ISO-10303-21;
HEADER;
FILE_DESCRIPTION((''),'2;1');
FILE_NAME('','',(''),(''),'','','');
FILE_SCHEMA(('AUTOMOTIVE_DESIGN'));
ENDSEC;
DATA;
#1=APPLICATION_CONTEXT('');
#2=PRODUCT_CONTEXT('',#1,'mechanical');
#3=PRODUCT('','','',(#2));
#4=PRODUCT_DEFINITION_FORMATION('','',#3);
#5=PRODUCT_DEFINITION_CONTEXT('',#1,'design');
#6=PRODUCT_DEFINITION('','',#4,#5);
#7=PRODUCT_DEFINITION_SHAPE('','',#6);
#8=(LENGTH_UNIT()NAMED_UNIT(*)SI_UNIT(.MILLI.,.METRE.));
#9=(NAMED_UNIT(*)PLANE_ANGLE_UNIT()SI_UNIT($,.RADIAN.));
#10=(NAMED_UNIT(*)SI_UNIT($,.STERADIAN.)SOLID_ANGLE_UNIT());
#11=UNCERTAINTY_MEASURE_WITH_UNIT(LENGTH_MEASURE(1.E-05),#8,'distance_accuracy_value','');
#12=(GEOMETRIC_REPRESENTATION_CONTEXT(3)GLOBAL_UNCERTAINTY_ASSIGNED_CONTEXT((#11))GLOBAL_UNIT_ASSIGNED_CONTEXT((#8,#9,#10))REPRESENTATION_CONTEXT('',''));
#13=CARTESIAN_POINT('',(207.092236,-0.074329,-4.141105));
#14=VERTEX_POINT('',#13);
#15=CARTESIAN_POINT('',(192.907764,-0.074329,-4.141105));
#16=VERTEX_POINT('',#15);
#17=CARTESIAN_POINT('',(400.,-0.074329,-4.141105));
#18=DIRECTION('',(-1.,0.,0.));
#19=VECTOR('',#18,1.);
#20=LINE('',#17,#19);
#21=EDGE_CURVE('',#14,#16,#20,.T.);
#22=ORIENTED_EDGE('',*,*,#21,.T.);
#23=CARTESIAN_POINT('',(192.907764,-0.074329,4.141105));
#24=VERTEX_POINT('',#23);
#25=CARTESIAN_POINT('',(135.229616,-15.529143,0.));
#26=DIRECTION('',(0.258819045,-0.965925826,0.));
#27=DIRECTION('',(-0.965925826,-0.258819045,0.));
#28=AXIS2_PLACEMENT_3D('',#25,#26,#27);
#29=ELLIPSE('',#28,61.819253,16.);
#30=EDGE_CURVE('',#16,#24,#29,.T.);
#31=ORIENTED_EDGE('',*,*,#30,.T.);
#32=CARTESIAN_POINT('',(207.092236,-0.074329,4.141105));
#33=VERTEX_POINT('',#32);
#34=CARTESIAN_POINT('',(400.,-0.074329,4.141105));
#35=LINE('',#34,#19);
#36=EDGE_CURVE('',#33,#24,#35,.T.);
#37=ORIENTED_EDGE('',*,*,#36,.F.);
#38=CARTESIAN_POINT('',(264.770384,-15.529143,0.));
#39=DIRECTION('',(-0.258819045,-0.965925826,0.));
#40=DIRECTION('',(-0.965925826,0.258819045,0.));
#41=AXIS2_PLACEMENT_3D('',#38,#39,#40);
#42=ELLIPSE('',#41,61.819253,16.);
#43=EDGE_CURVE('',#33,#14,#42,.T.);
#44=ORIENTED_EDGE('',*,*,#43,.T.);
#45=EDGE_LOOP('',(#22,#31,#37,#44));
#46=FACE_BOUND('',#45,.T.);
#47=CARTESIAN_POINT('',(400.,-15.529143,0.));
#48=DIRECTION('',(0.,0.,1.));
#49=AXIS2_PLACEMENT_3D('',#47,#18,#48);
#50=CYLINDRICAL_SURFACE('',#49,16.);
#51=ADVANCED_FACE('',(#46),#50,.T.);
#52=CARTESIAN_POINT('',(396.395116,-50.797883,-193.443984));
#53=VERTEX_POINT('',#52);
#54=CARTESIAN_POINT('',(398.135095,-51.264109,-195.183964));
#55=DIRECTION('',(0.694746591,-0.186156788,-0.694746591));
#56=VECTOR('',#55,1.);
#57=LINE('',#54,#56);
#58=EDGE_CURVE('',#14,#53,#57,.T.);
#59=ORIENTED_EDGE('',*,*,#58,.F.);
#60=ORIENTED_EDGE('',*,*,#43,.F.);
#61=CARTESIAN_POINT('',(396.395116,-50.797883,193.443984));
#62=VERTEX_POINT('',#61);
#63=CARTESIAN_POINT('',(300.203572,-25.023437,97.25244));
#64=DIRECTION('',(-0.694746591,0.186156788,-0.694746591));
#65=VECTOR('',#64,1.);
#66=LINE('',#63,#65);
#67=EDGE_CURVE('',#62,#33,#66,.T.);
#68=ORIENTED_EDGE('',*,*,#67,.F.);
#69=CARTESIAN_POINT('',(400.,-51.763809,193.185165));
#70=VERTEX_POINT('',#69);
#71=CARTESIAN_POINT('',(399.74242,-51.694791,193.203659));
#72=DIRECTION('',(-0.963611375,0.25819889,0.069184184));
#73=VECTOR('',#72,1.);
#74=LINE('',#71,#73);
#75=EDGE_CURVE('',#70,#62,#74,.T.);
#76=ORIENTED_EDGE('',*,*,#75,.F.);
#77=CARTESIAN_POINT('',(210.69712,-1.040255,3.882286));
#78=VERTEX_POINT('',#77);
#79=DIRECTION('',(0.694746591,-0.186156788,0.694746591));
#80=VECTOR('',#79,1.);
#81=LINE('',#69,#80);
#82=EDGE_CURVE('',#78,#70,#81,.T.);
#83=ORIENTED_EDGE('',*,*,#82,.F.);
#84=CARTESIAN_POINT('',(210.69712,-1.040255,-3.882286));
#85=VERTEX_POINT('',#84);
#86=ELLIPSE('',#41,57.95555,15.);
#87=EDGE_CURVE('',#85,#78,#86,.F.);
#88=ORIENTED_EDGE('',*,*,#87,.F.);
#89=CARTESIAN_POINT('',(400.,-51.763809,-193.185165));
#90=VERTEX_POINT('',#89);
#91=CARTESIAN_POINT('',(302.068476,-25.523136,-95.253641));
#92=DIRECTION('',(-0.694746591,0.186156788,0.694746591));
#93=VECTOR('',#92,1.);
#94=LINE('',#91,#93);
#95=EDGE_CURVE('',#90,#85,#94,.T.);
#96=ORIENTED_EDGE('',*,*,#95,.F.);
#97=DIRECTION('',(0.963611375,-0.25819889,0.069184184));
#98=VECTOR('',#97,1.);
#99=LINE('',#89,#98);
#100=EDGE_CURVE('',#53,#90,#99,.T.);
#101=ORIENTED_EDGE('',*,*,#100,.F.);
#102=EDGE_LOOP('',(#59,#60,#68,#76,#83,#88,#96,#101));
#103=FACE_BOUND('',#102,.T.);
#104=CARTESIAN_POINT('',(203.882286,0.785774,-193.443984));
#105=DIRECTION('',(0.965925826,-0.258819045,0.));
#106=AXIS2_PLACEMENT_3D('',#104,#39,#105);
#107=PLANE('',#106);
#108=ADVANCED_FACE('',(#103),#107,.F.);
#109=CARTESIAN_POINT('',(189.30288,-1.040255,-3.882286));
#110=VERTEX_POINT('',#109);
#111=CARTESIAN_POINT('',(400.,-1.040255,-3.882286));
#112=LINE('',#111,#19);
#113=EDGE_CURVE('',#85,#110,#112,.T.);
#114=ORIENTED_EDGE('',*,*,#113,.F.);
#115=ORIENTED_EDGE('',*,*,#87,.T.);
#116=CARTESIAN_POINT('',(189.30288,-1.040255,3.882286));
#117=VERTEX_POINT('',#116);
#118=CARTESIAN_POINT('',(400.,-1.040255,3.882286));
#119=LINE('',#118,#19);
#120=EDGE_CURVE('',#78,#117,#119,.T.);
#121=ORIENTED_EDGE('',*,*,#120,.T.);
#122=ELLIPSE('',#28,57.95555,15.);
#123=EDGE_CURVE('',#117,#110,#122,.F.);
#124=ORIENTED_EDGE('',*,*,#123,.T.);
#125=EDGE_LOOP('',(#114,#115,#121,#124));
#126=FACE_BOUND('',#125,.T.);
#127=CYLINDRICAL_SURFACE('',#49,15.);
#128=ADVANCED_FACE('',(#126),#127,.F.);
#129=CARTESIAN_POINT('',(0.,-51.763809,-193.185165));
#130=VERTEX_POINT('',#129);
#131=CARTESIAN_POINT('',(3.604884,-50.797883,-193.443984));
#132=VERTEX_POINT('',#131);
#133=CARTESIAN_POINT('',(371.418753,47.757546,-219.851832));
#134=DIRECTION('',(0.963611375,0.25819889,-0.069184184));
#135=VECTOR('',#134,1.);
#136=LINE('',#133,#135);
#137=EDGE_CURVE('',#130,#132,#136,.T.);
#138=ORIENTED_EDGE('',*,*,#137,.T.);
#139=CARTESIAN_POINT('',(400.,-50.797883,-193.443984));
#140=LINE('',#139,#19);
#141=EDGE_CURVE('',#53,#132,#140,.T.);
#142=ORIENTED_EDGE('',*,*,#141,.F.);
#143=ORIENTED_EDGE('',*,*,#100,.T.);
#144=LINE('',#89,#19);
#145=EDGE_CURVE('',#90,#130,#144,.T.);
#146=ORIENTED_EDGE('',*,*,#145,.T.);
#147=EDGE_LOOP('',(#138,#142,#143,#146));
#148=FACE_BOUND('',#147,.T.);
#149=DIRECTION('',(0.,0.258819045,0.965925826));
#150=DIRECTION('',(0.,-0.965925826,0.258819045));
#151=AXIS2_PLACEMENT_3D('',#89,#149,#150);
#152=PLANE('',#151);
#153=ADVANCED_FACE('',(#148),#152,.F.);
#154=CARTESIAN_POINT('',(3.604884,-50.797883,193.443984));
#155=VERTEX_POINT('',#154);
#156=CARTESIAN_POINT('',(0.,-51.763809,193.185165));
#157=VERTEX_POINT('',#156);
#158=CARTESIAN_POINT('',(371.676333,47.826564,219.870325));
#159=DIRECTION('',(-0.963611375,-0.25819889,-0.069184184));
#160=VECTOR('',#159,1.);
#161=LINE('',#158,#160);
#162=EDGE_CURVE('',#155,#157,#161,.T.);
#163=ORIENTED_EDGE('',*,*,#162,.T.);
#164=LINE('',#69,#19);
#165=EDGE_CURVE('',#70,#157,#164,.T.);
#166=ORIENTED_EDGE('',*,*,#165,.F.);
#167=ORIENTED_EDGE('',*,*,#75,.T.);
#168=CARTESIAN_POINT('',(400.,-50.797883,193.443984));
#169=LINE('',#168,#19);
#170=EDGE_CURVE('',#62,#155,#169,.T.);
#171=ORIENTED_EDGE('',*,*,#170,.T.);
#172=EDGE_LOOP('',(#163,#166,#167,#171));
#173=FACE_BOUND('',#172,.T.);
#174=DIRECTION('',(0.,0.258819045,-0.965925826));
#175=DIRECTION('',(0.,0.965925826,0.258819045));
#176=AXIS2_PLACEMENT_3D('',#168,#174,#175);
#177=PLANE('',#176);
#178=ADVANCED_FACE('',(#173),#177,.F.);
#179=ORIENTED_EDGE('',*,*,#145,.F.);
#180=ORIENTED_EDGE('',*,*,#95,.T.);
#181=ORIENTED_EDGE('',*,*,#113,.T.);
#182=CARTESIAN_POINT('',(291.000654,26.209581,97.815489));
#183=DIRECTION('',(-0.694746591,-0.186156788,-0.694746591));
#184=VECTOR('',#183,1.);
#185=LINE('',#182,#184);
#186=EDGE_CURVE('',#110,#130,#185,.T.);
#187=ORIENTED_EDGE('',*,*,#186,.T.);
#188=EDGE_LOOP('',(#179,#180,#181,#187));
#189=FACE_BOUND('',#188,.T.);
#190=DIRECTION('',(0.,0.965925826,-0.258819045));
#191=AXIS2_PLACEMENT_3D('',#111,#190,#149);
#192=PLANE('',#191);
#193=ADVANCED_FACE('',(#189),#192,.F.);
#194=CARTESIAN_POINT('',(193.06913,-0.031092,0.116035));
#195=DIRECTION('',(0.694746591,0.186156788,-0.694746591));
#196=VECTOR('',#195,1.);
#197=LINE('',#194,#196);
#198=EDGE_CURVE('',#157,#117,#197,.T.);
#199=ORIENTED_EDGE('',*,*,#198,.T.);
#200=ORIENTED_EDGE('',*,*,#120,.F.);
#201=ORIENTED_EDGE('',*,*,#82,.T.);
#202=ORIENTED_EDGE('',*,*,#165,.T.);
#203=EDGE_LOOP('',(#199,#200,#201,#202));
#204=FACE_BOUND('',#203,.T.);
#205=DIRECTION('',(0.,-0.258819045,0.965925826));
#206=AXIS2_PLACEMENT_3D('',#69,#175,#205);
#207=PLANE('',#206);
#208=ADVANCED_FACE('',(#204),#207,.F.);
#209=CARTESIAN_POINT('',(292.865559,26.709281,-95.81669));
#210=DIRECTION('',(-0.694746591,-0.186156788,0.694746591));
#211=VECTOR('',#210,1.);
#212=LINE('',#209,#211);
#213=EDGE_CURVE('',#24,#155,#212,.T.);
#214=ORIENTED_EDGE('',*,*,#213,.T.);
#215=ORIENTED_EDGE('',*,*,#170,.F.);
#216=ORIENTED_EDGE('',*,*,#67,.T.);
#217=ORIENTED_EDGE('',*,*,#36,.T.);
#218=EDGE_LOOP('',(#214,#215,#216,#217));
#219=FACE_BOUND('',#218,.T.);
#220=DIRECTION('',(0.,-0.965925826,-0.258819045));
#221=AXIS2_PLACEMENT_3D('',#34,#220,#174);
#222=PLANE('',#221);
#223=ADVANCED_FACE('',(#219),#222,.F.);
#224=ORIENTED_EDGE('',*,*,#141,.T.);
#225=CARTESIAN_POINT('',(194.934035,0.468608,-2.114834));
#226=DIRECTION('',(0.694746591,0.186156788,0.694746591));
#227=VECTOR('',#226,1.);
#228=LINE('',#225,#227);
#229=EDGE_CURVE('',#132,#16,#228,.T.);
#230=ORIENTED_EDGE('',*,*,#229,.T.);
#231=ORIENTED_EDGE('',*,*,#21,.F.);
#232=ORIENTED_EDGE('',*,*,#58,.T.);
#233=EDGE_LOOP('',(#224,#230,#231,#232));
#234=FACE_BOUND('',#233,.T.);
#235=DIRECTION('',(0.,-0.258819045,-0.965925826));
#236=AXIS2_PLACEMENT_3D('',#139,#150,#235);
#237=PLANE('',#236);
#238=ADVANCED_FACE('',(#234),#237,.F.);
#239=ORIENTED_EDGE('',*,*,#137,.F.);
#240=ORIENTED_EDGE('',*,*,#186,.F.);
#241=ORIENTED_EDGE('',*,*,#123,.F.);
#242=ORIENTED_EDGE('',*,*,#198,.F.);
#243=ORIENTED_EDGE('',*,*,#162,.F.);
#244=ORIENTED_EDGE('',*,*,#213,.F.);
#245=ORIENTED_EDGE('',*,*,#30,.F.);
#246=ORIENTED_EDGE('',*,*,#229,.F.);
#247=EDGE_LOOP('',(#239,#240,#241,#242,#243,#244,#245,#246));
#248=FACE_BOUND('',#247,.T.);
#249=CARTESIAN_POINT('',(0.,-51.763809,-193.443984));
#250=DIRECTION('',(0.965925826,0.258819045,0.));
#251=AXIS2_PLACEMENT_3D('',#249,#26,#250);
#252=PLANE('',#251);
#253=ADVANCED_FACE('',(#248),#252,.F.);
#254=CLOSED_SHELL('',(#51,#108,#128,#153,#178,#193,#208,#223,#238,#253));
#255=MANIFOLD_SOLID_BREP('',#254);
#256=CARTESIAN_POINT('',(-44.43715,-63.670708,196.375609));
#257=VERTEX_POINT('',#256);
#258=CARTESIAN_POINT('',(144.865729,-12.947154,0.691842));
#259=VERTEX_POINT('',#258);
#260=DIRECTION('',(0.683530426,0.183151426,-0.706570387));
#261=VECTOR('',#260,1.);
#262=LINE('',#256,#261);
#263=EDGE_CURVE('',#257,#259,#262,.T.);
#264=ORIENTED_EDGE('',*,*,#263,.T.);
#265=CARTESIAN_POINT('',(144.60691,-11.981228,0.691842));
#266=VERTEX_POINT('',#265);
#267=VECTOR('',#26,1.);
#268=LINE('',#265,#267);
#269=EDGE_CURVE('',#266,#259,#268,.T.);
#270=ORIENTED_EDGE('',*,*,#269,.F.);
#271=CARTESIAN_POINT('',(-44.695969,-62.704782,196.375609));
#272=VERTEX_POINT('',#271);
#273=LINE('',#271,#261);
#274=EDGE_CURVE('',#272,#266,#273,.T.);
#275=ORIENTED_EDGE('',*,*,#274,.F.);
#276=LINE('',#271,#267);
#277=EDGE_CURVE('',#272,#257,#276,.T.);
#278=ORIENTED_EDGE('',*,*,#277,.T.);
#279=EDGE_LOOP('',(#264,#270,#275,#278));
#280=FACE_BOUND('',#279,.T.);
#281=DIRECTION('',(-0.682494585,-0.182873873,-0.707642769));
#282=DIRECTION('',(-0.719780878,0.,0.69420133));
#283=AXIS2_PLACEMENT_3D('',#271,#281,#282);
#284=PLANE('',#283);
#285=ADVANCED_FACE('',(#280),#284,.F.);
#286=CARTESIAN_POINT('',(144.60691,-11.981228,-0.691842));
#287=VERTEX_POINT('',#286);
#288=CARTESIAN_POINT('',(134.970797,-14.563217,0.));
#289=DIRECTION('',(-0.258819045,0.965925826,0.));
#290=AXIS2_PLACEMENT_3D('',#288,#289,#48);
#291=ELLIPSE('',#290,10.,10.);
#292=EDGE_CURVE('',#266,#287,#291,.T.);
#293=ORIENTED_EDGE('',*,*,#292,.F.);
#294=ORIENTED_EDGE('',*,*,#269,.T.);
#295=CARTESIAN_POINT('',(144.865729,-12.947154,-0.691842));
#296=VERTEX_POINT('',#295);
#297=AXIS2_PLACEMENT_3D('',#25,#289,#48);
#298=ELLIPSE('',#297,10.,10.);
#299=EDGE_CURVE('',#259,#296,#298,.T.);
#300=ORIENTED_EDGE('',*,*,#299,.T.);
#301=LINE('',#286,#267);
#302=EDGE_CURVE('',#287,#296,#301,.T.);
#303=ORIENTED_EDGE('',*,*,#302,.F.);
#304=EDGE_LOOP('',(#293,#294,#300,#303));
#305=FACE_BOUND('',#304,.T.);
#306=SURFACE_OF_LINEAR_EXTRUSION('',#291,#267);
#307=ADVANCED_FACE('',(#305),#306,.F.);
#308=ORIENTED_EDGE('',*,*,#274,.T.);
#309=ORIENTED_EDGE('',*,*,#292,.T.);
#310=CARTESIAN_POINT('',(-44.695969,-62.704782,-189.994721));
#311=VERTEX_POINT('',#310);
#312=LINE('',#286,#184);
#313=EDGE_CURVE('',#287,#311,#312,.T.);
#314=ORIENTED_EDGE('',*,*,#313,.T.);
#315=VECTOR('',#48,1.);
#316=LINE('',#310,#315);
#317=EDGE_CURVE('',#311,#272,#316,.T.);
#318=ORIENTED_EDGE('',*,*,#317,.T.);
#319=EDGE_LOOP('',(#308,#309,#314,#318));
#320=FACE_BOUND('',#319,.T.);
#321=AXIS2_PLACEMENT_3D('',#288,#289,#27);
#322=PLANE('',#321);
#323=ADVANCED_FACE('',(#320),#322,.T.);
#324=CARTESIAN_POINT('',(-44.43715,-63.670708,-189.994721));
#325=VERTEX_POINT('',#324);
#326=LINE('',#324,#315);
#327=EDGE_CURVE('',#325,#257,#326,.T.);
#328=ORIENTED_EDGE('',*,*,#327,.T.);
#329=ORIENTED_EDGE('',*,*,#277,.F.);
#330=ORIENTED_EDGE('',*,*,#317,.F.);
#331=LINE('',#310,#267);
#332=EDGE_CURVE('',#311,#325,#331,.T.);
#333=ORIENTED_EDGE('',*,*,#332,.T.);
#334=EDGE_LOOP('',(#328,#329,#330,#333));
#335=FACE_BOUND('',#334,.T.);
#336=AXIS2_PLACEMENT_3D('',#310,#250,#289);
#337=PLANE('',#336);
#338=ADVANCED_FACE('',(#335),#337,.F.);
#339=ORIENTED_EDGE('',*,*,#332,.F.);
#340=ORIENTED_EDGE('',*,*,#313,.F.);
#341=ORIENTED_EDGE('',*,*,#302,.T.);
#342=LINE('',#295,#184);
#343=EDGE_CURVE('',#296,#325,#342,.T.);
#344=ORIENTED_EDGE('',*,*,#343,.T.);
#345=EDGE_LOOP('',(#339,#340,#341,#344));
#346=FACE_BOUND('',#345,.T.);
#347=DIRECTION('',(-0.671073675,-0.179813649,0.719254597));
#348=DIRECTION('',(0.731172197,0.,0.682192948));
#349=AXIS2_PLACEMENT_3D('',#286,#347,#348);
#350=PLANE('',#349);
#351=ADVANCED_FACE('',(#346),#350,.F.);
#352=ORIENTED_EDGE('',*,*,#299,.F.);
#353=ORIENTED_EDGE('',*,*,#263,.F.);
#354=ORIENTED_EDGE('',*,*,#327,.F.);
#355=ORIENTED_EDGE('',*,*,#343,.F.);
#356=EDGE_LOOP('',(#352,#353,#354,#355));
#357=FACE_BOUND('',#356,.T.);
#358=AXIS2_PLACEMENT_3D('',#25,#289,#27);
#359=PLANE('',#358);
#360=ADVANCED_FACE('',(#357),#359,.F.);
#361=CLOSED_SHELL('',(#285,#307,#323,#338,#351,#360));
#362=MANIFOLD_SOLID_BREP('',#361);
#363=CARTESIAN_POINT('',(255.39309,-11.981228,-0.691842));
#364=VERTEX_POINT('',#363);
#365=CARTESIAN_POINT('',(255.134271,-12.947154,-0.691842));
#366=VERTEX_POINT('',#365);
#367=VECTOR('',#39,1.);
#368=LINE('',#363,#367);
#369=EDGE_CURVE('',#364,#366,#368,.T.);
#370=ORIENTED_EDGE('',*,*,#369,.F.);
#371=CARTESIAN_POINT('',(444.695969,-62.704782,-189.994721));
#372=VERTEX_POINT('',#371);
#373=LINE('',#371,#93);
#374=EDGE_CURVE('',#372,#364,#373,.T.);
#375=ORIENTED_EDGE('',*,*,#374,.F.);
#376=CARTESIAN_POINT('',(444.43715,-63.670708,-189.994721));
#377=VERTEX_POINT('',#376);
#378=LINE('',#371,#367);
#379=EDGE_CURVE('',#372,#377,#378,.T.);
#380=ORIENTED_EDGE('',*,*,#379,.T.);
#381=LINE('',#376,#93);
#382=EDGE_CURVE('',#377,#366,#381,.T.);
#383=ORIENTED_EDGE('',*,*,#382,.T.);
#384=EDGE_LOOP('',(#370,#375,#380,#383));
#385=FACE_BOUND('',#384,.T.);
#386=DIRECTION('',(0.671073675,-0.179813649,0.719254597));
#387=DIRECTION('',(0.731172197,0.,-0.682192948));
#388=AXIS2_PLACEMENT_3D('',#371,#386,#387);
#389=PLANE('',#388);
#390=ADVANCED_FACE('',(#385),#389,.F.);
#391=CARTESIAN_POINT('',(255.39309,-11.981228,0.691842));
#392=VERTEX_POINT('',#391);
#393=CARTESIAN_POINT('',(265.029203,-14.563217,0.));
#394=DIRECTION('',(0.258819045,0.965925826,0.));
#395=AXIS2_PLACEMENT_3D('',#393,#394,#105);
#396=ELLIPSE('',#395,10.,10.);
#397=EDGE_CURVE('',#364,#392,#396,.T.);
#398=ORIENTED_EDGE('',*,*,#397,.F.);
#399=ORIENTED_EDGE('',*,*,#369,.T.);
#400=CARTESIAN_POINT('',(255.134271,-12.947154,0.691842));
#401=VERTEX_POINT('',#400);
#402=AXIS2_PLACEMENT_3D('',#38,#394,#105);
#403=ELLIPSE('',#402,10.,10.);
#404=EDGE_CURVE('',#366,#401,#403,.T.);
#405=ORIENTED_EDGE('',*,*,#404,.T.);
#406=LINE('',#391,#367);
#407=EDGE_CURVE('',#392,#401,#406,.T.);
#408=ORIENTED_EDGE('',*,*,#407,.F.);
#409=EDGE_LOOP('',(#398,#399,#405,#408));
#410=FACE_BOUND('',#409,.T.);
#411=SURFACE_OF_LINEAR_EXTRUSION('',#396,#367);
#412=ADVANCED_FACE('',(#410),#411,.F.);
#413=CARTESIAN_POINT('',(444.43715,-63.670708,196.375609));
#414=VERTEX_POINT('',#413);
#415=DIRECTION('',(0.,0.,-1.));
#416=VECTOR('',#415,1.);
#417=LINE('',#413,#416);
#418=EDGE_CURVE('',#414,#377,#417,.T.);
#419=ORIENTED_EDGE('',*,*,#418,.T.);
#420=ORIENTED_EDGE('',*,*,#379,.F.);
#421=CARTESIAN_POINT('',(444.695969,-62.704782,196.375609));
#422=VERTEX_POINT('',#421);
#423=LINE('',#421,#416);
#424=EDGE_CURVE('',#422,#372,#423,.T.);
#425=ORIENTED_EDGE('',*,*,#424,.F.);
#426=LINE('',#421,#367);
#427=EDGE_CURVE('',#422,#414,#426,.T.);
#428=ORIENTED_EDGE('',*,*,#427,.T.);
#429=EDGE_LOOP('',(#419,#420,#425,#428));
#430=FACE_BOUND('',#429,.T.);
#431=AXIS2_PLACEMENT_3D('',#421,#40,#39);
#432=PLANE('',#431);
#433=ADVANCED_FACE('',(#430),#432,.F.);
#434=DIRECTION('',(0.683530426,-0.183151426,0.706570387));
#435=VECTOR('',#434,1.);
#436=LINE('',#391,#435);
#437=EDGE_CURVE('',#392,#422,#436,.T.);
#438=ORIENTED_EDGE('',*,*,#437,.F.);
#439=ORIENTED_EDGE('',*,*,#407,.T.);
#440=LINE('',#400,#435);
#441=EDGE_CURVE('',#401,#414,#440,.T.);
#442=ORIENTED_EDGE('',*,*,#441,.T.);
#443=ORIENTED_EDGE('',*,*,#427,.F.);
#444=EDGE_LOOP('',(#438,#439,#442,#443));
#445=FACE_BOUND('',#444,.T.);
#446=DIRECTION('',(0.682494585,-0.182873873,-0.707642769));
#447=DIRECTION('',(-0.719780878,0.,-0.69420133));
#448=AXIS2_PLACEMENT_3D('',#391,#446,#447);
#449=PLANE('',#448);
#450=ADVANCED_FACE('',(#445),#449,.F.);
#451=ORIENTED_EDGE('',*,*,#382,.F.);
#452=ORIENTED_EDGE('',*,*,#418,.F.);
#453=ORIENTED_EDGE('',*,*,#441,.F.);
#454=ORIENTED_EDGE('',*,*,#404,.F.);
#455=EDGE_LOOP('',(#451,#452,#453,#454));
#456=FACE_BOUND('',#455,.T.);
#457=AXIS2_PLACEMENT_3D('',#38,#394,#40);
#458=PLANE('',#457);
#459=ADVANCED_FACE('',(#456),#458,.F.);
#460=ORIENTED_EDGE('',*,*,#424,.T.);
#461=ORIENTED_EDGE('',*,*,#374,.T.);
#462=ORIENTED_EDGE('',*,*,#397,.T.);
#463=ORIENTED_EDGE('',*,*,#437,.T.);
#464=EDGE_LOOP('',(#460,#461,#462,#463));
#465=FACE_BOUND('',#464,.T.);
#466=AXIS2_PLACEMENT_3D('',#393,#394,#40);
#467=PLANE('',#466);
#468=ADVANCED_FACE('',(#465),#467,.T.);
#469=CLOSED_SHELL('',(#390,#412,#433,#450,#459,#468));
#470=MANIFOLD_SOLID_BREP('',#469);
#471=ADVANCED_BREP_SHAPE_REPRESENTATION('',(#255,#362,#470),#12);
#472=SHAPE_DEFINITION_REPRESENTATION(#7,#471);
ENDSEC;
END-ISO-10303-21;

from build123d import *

# Parameters (mm, degrees)
EXTRUSION7_DEPTH      = 400
EXTRUSION8_DEPTH      = 448.325459802
EXTRUSION8_DEPTH_BACK = 448.325459802
EXTRUSION9_DEPTH      = 1
EXTRUSION10_DEPTH     = 1


with BuildPart() as part:
    # Sketch1 → Extrusion7 (new body)
    with BuildSketch(Plane.YZ):
        with BuildLine():
            Line((-51.763809021, 193.185165258), (-1.040255312, 3.882285677))
            ThreePointArc((-1.040255312, 3.882285677), (-0.529142706, 0), (-1.040255312, -3.882285677))
            Line((-1.040255312, -3.882285677), (-51.763809021, -193.185165258))
            Line((-51.763809021, -193.185165258), (-50.797883194, -193.443984303))
            Line((-50.797883194, -193.443984303), (-0.074329486, -4.141104722))
            ThreePointArc((-0.074329486, -4.141104722), (0.470857294, 0), (-0.074329486, 4.141104722))
            Line((-0.074329486, 4.141104722), (-50.797883194, 193.443984303))
            Line((-50.797883194, 193.443984303), (-51.763809021, 193.185165258))
        make_face()
    extrude(amount=EXTRUSION7_DEPTH)

    # Sketch2 → Extrusion8 (cut, two sides: drawn at the far end of the back side and taken through both)
    with BuildSketch(Plane.XY.offset(-EXTRUSION8_DEPTH_BACK)):
        with BuildLine():
            Line((0, -51.763809021), (196.117714323, 0.785774154))
            ThreePointArc((196.117714323, 0.785774154), (200, 1.29688676), (203.882285677, 0.785774154))
            Line((203.882285677, 0.785774154), (400, -51.763809021))
            Line((400, -51.763809021), (400, 8.236190979))
            Line((400, 8.236190979), (0, 8.236190979))
            Line((0, 8.236190979), (0, -51.763809021))
        make_face()
    extrude(amount=EXTRUSION8_DEPTH + EXTRUSION8_DEPTH_BACK, mode=Mode.SUBTRACT)


with BuildPart() as body_2:
    # Sketch3 → Extrusion9 (new body)
    with BuildSketch(Plane(origin=(13.853966988, 51.703708686, 0), x_dir=(-0.9659258262890683, 0.2588190451025207, 0), z_dir=(0.2588190451025207, 0.9659258262890683, 0))):
        with BuildLine():
            Line((-445.772513214, 196.375609094), (-445.772513214, -189.994721421))
            Line((-445.772513214, -189.994721421), (-249.7917511, -0.69184184))
            add(Edge.make_bspline(
                [(-249.7917511, -0.69184184), (-249.743771624, 0), (-249.7917511, 0.69184184)],
                knots=[3.072353159, 3.072353159, 3.072353159, 3.210832148, 3.210832148, 3.210832148], degree=2, weights=[1, 0.997603904, 1]))
            Line((-249.7917511, 0.69184184), (-445.772513214, 196.375609094))
        make_face()
    extrude(amount=EXTRUSION9_DEPTH)


with BuildPart() as body_3:
    # Sketch4 → Extrusion10 (new body)
    with BuildSketch(Plane(origin=(12.940952255, -48.296291314, 0), x_dir=(-0.9659258262890683, -0.25881904510252063, 0), z_dir=(-0.25881904510252063, 0.9659258262890683, 0))):
        with BuildLine():
            Line((-136.578579415, -0.69184184), (59.402182698, -189.994721421))
            Line((59.402182698, -189.994721421), (59.402182698, 196.375609094))
            Line((59.402182698, 196.375609094), (-136.578579415, 0.69184184))
            add(Edge.make_bspline(
                [(-136.578579415, 0.69184184), (-136.626558892, 0), (-136.578579415, -0.69184184)],
                knots=[1.501556832, 1.501556832, 1.501556832, 1.640035821, 1.640035821, 1.640035821], degree=2, weights=[1, 0.997603904, 1]))
        make_face()
    extrude(amount=EXTRUSION10_DEPTH)


solid = Compound([part.part, body_2.part, body_3.part])
